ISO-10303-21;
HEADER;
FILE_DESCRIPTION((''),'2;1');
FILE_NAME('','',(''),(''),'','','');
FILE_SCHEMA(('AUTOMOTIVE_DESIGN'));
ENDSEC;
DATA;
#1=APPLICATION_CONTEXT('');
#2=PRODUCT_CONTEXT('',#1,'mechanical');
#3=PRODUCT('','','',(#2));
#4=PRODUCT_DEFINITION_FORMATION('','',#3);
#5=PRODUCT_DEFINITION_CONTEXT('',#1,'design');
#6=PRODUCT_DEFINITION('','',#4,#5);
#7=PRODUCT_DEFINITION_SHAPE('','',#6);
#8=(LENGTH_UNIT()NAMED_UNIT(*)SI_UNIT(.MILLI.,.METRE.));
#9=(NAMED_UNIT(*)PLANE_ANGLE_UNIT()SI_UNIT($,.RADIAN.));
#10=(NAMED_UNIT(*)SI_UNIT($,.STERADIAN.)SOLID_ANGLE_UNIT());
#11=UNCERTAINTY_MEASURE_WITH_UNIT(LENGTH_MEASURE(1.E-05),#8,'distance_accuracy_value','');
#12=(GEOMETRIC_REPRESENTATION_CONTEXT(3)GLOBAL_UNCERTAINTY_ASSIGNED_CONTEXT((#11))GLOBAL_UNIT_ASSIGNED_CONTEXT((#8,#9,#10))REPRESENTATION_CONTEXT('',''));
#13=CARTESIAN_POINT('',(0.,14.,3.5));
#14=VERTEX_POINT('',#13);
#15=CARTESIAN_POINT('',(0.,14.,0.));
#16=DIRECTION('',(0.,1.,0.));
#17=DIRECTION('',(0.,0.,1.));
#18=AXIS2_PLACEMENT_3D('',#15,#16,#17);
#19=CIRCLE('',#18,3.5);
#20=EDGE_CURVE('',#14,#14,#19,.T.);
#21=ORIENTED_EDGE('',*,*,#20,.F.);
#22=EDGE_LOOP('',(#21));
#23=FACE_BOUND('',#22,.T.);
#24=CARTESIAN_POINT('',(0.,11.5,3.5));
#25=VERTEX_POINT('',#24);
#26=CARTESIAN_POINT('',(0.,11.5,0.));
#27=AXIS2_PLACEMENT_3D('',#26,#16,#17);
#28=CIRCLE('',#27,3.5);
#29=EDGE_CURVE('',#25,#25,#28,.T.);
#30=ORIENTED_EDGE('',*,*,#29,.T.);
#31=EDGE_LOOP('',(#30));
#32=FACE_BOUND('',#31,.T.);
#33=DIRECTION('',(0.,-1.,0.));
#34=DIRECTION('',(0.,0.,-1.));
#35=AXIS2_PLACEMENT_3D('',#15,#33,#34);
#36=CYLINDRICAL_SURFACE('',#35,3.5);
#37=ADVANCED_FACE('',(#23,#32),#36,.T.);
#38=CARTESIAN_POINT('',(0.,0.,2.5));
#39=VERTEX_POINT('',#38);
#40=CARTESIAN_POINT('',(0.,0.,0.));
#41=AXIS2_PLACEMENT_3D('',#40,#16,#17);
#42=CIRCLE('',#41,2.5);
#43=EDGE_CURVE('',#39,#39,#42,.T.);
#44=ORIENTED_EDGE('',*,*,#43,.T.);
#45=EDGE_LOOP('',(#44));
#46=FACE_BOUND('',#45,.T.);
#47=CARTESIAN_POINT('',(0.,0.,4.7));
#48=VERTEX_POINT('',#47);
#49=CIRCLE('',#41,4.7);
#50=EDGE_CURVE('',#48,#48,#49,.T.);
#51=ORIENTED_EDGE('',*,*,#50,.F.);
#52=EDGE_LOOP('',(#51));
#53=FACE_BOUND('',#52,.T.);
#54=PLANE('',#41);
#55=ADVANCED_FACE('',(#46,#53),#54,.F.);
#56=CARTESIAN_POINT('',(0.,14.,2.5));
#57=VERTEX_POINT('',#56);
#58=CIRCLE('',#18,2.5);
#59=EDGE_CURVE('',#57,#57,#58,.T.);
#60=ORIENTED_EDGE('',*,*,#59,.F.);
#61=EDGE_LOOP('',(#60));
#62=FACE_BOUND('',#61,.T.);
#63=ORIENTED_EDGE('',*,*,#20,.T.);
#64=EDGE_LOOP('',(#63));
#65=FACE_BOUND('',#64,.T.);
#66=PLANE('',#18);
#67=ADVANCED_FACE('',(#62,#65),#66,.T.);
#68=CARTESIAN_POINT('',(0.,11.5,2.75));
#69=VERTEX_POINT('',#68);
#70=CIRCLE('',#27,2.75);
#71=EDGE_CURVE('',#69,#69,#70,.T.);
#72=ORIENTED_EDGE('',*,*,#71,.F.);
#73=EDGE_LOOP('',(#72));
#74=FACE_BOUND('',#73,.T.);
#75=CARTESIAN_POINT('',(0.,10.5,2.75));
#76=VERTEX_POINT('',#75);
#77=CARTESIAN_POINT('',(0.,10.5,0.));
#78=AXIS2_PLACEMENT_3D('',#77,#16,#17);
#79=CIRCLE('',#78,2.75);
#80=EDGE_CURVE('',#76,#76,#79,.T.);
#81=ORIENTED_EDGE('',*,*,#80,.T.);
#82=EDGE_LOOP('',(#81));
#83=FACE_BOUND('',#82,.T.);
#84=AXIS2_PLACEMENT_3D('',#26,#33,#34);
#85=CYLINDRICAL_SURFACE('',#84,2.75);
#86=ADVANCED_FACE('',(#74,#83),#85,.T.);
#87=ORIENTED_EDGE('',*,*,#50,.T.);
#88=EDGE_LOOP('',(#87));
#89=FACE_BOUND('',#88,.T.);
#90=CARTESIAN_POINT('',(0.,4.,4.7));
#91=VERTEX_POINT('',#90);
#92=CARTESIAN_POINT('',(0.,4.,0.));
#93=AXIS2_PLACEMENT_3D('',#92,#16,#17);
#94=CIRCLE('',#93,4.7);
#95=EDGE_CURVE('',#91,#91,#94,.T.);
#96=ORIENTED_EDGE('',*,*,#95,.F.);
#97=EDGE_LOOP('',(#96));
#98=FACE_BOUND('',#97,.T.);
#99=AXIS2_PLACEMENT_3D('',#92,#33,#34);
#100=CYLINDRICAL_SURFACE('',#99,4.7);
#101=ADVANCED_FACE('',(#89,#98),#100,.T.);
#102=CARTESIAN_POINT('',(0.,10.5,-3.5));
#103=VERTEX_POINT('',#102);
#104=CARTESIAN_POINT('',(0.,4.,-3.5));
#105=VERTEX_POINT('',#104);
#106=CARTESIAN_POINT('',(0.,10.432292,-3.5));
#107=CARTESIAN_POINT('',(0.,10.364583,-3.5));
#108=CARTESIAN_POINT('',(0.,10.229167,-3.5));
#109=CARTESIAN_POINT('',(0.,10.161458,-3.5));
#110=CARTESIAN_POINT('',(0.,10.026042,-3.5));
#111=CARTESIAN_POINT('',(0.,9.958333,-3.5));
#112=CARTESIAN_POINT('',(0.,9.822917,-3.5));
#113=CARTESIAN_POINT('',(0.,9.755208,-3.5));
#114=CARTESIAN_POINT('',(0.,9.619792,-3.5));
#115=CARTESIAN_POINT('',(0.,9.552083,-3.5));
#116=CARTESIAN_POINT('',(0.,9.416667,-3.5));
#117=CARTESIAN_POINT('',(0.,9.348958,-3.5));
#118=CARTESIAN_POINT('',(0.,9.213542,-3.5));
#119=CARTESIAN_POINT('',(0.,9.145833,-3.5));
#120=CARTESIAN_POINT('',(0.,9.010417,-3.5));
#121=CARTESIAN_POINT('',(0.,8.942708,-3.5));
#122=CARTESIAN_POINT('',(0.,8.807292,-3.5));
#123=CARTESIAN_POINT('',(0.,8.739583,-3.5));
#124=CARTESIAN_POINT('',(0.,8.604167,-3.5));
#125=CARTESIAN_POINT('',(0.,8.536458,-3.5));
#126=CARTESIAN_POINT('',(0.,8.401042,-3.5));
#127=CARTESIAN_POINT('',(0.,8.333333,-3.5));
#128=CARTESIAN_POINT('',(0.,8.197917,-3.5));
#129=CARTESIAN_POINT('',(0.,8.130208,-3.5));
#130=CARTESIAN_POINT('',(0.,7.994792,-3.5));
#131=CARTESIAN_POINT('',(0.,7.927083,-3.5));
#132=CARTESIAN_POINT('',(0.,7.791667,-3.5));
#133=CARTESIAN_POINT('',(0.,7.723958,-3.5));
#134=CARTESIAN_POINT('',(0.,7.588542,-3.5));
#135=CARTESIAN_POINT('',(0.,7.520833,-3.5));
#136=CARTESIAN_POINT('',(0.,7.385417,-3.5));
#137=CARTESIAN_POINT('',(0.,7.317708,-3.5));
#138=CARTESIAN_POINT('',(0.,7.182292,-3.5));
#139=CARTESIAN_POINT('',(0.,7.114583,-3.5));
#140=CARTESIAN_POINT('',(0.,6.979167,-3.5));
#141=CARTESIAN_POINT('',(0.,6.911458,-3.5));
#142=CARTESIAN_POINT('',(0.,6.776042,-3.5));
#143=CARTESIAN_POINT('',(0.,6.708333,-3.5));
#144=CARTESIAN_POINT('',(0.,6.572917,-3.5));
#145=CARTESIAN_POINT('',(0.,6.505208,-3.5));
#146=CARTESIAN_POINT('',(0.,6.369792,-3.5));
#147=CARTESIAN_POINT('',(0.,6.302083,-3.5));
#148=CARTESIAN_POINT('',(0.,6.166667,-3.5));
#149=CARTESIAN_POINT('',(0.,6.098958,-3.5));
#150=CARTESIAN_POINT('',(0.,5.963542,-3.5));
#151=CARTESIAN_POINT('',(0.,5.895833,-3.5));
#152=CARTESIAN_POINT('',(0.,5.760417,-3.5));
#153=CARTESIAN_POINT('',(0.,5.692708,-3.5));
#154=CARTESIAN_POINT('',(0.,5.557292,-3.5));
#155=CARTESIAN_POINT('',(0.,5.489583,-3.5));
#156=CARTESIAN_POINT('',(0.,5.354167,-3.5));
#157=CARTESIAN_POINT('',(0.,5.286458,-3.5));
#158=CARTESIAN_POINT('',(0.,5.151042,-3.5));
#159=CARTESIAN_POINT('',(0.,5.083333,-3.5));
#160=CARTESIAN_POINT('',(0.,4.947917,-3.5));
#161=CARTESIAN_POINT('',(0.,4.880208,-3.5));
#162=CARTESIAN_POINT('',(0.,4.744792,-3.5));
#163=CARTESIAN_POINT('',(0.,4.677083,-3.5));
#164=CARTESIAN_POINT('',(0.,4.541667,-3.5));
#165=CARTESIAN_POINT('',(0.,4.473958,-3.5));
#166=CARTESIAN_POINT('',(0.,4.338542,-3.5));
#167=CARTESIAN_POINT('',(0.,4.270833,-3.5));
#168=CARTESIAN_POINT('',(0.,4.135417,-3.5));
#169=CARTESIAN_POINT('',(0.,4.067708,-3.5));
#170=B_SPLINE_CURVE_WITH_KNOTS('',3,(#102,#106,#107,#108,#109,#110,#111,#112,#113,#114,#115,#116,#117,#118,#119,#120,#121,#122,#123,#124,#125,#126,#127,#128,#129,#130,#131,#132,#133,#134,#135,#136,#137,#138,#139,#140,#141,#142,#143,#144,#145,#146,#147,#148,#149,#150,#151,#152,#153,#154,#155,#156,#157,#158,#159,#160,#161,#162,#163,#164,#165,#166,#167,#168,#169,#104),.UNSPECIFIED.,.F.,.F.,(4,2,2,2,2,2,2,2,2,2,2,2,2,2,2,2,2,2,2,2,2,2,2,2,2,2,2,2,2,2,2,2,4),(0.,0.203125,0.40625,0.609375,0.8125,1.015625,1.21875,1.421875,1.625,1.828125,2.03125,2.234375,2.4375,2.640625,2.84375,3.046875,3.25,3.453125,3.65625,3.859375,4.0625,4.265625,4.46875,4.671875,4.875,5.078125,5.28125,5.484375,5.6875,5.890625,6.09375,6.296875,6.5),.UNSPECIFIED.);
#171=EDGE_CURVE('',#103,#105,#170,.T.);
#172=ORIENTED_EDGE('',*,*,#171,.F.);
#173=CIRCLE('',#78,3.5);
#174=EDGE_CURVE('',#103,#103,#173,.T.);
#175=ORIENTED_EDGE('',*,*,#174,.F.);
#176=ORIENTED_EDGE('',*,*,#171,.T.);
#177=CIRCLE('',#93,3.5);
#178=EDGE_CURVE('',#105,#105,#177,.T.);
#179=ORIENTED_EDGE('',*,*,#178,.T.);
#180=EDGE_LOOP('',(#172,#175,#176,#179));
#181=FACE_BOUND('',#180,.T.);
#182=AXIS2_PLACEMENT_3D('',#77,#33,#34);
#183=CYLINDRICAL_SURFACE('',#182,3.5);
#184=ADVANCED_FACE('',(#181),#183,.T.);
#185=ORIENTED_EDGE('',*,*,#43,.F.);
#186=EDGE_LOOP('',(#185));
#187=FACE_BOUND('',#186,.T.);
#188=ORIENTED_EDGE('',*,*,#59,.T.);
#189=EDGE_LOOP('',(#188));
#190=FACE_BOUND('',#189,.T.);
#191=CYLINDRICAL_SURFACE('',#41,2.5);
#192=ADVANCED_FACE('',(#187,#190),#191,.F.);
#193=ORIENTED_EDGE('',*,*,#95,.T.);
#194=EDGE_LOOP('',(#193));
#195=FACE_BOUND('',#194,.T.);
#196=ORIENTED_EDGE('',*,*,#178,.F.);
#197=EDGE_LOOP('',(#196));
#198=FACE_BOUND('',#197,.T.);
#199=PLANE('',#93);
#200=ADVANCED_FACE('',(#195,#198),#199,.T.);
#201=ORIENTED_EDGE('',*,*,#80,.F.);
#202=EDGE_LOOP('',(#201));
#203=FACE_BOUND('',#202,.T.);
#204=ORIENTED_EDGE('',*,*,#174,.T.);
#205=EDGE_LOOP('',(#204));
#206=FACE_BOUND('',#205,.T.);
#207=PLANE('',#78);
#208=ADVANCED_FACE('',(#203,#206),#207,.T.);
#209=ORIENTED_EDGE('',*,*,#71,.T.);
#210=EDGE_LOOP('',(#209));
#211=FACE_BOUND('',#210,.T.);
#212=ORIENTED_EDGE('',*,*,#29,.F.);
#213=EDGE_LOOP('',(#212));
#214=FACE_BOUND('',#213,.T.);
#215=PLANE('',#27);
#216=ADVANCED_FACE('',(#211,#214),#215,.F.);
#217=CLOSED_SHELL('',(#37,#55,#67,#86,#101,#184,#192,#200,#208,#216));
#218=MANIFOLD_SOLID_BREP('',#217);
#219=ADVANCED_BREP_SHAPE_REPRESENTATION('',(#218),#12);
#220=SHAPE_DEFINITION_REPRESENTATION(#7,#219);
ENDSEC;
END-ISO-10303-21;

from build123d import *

# Parameters (mm, degrees)
SKETCH1_R           = 4.7
BOSS_EXTRUDE1_DEPTH = 4
SKETCH2_R           = 3.5
BOSS_EXTRUDE2_DEPTH = 6.5
SKETCH3_R           = 2.75
BOSS_EXTRUDE3_DEPTH = 1
SKETCH4_R           = 3.5
BOSS_EXTRUDE4_DEPTH = 2.5
SKETCH5_R           = 2.5
CUT_EXTRUDE1_DEPTH  = 16.497741771


with BuildPart() as part:
    # Sketch1 → Boss-Extrude1 (new body)
    with BuildSketch(Plane(origin=(0, 0, 0), x_dir=(1, 0, 0), z_dir=(0, 1, 0))):
        with Locations(Location((0, 0, 0), (0, 0, 270))):
            Circle(SKETCH1_R)
    extrude(amount=BOSS_EXTRUDE1_DEPTH)

    # Sketch2 → Boss-Extrude2 (add)
    with BuildSketch(Plane(origin=(0, 4, 0), x_dir=(1, 0, 0), z_dir=(0, 1, 0))):
        with Locations(Location((0, 0, 0), (0, 0, 90))):
            Circle(SKETCH2_R)
    extrude(amount=BOSS_EXTRUDE2_DEPTH)

    # Sketch3 → Boss-Extrude3 (add)
    with BuildSketch(Plane(origin=(0, 10.5, 0), x_dir=(1, 0, 0), z_dir=(0, 1, 0))):
        with Locations(Location((0, 0, 0), (0, 0, 270))):
            Circle(SKETCH3_R)
    extrude(amount=BOSS_EXTRUDE3_DEPTH)

    # Sketch4 → Boss-Extrude4 (add)
    with BuildSketch(Plane(origin=(0, 11.5, 0), x_dir=(1, 0, 0), z_dir=(0, 1, 0))):
        with Locations(Location((0, 0, 0), (0, 0, 90))):
            Circle(SKETCH4_R)
    extrude(amount=BOSS_EXTRUDE4_DEPTH)

    # Sketch5 → Cut-Extrude1 (cut, through all)
    with BuildSketch(Plane(origin=(0, 14, 0), x_dir=(1, 0, 0), z_dir=(0, 1, 0))):
        with Locations(Location((0, 0, 0), (0, 0, 270))):
            Circle(SKETCH5_R)
    extrude(amount=-CUT_EXTRUDE1_DEPTH, mode=Mode.SUBTRACT)


solid = part.part
